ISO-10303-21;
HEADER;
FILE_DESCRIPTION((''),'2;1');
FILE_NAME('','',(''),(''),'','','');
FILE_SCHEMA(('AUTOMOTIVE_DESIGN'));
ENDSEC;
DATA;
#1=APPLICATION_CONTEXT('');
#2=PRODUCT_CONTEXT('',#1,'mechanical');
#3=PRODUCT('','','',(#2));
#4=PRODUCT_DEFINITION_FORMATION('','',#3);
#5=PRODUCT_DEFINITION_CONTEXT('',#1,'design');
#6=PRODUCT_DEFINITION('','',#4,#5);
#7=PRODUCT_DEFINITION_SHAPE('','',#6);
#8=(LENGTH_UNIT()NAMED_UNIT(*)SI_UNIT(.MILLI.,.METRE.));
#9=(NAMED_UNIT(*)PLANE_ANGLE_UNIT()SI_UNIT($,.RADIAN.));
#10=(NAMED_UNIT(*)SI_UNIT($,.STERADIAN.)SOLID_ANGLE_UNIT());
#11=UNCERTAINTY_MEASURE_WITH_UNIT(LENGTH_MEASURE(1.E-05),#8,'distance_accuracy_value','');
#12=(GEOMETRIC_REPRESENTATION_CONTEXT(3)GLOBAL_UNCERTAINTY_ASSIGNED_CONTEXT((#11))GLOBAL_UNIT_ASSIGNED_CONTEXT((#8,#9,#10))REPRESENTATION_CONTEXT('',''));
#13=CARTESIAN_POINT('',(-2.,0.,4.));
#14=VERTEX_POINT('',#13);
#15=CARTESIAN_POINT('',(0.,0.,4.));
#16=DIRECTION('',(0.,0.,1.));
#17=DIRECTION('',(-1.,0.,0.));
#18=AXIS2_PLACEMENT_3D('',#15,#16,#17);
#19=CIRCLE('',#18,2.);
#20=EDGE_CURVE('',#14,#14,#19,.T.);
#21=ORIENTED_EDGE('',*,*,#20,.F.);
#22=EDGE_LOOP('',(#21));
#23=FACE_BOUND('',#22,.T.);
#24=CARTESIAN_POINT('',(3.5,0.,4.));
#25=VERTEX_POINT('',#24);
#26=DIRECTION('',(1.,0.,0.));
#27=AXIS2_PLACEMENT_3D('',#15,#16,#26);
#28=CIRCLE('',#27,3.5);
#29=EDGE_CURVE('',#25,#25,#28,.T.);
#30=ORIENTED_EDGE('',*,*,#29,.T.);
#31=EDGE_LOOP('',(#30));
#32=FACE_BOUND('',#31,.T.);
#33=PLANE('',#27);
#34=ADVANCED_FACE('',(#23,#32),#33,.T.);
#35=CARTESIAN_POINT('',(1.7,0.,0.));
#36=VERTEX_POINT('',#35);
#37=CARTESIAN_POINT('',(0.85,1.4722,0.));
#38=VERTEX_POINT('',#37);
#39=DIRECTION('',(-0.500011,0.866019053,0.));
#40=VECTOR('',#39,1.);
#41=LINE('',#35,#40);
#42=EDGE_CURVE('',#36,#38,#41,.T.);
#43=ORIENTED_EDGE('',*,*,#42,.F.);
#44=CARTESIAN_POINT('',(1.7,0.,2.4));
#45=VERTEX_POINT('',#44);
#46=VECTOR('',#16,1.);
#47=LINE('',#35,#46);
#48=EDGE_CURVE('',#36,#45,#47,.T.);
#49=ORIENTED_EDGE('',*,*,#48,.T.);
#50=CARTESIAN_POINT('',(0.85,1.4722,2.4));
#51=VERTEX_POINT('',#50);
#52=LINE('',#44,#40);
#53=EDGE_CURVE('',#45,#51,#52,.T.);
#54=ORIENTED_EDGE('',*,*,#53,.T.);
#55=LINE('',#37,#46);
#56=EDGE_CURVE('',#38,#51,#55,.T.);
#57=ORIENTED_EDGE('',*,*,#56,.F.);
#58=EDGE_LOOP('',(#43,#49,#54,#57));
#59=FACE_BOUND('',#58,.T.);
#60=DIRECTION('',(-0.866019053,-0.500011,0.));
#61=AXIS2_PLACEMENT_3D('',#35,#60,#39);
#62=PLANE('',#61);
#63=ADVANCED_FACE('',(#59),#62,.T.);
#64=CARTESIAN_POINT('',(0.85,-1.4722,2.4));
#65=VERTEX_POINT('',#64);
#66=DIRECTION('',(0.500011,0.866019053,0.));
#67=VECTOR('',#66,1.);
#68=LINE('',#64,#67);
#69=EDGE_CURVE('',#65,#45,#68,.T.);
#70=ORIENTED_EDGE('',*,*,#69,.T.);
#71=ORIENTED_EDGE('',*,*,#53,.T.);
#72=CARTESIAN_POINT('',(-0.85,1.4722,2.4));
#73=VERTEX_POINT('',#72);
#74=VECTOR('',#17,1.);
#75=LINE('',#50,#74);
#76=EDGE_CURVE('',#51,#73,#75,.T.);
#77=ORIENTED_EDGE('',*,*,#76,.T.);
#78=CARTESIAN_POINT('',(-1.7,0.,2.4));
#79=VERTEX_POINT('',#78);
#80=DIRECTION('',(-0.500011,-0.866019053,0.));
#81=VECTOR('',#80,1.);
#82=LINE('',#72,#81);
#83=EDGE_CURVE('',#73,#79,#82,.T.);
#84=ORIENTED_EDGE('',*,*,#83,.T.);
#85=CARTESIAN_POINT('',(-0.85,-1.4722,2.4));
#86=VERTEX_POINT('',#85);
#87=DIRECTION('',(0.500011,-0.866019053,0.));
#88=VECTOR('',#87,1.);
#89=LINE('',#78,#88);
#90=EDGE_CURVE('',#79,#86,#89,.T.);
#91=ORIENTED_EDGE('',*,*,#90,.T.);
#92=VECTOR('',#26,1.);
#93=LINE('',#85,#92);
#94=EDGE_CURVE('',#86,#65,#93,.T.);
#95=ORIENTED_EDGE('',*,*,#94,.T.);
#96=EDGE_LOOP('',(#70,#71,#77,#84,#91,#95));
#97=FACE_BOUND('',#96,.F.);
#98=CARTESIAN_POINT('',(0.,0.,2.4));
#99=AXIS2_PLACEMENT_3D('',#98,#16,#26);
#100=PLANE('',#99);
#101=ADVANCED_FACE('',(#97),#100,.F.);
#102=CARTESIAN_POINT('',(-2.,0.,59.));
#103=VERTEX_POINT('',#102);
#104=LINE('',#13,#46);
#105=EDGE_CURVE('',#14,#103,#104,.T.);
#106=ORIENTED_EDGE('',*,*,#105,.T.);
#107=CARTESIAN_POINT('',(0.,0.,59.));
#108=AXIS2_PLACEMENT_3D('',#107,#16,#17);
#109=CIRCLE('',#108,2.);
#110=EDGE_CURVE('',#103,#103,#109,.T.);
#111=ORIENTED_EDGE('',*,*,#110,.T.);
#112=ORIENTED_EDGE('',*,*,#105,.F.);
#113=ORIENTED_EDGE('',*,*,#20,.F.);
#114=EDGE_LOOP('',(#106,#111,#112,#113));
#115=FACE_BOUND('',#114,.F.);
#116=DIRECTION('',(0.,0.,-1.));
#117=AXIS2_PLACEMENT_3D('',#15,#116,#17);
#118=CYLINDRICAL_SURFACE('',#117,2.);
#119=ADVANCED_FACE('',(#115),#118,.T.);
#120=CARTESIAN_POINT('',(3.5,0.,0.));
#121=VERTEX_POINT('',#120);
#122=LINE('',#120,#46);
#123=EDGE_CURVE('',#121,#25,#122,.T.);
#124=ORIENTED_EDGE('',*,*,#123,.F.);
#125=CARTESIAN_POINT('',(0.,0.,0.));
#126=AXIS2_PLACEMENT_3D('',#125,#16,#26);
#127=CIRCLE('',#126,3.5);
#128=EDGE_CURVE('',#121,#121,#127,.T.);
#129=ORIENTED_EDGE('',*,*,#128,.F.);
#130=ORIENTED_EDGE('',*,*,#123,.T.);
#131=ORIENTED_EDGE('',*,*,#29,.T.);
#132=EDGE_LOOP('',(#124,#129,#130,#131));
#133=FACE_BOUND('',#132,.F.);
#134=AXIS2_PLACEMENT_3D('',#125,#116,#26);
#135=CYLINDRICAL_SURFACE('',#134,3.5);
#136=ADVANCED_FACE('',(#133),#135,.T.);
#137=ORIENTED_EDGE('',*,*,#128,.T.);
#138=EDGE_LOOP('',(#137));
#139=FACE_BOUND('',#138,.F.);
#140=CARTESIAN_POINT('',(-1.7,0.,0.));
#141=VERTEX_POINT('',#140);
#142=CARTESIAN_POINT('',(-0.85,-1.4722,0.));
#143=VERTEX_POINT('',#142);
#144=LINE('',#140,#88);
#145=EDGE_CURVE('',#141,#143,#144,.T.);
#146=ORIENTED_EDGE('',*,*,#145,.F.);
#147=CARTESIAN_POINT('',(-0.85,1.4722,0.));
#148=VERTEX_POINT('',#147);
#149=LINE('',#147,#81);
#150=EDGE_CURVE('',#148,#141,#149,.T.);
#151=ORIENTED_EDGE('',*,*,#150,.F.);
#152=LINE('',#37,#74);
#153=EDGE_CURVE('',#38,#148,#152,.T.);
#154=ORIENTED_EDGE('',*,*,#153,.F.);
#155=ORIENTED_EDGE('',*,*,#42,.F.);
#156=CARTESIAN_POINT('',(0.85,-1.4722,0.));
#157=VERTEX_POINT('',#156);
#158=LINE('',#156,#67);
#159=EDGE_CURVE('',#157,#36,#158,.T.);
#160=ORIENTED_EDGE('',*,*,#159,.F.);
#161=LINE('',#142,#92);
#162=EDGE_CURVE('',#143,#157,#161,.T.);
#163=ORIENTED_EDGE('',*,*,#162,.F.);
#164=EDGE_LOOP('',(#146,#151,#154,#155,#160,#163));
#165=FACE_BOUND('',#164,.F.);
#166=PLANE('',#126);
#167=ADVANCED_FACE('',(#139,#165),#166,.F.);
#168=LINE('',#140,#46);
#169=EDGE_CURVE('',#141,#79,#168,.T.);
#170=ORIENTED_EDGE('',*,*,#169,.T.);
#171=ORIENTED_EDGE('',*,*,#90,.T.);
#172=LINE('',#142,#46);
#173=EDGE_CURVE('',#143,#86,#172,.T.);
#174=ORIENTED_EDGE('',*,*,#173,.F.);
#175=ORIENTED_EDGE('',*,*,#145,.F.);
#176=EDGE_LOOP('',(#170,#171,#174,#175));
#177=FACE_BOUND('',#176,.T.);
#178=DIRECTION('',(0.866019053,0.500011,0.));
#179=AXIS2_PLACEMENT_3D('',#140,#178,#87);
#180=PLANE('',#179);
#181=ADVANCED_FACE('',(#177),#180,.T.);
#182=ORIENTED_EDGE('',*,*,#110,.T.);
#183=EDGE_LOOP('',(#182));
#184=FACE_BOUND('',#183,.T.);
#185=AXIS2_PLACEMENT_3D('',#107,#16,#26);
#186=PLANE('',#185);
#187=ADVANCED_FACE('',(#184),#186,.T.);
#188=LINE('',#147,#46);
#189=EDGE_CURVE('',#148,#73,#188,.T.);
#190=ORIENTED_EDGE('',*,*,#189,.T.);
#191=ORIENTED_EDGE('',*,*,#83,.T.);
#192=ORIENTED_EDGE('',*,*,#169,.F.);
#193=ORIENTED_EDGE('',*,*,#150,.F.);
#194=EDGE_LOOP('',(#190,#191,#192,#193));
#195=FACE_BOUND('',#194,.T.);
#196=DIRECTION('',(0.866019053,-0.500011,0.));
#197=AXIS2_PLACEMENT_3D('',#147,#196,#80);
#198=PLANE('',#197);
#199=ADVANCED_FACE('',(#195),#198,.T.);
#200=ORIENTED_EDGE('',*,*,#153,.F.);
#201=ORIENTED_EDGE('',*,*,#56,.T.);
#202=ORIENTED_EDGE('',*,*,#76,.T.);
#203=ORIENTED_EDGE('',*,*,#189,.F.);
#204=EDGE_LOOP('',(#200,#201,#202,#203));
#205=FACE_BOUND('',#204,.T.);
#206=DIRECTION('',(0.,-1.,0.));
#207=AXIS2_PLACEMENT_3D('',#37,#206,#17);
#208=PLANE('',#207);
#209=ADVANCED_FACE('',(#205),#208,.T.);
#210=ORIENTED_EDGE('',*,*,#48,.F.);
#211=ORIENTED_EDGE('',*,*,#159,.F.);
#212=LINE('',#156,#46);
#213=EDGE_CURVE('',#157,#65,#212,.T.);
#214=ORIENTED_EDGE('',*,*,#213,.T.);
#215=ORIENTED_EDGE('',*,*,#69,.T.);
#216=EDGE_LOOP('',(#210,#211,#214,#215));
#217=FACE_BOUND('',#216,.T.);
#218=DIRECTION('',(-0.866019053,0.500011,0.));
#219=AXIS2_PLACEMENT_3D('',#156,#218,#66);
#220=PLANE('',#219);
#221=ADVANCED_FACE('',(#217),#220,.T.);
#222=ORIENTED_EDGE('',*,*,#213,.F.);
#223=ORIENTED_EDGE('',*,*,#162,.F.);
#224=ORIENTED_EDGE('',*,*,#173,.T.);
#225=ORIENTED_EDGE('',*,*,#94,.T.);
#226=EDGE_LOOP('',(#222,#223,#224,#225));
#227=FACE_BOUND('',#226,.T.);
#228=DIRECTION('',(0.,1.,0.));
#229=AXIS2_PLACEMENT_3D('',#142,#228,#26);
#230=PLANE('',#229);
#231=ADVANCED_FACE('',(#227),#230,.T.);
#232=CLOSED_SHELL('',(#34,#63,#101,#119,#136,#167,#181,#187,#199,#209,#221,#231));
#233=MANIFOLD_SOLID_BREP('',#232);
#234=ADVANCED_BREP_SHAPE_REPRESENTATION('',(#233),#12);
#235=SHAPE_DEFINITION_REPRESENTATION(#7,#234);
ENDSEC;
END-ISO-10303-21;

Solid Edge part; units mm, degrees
sketch "Sketch1" plane through (0, 0, 0) normal (0, 0, 1) x (1, 0, 0)
  circle A0 centre (0, 0) radius 3.5
extrude "Protrusion1" add sketch "Sketch1" along normal blind 4
sketch "Sketch2" plane through (0, 0, 0) normal (0, 0, -1) x (1, 0, 0)
  line L0 (0.85, 1.4722) -> (1.7, 0)
  line L1 (1.7, 0) -> (0.85, -1.4722)
  line L2 (0.85, -1.4722) -> (-0.85, -1.4722)
  line L3 (-0.85, -1.4722) -> (-1.7, 0)
  line L4 (-1.7, 0) -> (-0.85, 1.4722)
  line L5 (-0.85, 1.4722) -> (0.85, 1.4722)
extrude "ExtrudedCutout_1" cut sketch "Sketch2" against normal blind 2.4
sketch "Sketch3" plane through (0, 0, 4) normal (0, 0, 1) x (-1, 0, 0)
  circle A0 centre (0, 0) radius 2
extrude "ExtrudedProtrusion_2" add sketch "Sketch3" along normal blind 55
cosmetic_thread "Thread_2" size "M4" thread depth 20
properties material "Stainless steel"
